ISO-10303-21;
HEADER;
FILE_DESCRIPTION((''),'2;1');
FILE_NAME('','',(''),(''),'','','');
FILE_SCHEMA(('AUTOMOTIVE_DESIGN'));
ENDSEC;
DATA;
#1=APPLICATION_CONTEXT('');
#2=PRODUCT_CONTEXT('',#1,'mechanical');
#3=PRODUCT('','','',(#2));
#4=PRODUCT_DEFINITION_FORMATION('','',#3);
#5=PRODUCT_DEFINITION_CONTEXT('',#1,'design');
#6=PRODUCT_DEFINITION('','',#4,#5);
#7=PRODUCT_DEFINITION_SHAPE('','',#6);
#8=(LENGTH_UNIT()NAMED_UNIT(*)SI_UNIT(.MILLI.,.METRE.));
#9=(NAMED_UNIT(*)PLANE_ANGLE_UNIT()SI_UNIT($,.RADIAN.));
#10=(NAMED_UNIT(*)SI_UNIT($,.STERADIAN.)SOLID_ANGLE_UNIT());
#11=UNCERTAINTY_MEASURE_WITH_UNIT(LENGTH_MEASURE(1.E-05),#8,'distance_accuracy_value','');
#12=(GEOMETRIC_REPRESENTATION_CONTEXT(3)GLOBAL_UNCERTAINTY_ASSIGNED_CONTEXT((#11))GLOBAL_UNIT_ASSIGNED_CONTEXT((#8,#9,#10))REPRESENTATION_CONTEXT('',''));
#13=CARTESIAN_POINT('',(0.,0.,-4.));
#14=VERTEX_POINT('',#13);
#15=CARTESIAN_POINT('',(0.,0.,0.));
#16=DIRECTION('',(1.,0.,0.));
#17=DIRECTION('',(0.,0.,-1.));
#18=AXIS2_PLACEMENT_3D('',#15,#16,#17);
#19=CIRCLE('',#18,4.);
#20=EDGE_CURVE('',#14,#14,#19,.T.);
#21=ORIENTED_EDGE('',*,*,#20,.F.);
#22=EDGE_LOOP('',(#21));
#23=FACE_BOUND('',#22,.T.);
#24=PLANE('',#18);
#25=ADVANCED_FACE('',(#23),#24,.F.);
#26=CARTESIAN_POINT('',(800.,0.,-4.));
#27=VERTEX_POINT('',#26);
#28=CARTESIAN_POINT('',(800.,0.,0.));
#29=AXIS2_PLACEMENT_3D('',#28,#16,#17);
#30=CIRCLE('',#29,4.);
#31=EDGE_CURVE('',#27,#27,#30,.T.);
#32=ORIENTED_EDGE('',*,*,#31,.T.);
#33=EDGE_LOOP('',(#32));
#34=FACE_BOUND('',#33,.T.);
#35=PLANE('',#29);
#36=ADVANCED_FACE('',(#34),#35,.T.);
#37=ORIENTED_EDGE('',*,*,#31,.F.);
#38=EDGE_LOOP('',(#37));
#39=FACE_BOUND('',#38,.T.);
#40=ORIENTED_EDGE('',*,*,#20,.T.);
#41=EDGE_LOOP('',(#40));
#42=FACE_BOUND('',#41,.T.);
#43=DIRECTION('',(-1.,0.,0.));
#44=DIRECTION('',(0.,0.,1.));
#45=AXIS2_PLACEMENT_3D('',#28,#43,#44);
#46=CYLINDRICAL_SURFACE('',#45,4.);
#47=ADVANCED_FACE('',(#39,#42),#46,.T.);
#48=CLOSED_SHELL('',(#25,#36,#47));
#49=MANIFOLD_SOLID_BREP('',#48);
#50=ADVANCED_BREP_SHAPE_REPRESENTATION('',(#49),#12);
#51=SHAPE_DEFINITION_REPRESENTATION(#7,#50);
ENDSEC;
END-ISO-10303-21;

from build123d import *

# Parameters (mm, degrees)
SKETCH1_R           = 4
BOSS_EXTRUDE1_DEPTH = 800


with BuildPart() as part:
    # Sketch1 → Boss-Extrude1 (new body)
    with BuildSketch(Plane(origin=(0, 0, 0), x_dir=(0, 0, -1), z_dir=(1, 0, 0))):
        Circle(SKETCH1_R)
    extrude(amount=BOSS_EXTRUDE1_DEPTH)


solid = part.part
